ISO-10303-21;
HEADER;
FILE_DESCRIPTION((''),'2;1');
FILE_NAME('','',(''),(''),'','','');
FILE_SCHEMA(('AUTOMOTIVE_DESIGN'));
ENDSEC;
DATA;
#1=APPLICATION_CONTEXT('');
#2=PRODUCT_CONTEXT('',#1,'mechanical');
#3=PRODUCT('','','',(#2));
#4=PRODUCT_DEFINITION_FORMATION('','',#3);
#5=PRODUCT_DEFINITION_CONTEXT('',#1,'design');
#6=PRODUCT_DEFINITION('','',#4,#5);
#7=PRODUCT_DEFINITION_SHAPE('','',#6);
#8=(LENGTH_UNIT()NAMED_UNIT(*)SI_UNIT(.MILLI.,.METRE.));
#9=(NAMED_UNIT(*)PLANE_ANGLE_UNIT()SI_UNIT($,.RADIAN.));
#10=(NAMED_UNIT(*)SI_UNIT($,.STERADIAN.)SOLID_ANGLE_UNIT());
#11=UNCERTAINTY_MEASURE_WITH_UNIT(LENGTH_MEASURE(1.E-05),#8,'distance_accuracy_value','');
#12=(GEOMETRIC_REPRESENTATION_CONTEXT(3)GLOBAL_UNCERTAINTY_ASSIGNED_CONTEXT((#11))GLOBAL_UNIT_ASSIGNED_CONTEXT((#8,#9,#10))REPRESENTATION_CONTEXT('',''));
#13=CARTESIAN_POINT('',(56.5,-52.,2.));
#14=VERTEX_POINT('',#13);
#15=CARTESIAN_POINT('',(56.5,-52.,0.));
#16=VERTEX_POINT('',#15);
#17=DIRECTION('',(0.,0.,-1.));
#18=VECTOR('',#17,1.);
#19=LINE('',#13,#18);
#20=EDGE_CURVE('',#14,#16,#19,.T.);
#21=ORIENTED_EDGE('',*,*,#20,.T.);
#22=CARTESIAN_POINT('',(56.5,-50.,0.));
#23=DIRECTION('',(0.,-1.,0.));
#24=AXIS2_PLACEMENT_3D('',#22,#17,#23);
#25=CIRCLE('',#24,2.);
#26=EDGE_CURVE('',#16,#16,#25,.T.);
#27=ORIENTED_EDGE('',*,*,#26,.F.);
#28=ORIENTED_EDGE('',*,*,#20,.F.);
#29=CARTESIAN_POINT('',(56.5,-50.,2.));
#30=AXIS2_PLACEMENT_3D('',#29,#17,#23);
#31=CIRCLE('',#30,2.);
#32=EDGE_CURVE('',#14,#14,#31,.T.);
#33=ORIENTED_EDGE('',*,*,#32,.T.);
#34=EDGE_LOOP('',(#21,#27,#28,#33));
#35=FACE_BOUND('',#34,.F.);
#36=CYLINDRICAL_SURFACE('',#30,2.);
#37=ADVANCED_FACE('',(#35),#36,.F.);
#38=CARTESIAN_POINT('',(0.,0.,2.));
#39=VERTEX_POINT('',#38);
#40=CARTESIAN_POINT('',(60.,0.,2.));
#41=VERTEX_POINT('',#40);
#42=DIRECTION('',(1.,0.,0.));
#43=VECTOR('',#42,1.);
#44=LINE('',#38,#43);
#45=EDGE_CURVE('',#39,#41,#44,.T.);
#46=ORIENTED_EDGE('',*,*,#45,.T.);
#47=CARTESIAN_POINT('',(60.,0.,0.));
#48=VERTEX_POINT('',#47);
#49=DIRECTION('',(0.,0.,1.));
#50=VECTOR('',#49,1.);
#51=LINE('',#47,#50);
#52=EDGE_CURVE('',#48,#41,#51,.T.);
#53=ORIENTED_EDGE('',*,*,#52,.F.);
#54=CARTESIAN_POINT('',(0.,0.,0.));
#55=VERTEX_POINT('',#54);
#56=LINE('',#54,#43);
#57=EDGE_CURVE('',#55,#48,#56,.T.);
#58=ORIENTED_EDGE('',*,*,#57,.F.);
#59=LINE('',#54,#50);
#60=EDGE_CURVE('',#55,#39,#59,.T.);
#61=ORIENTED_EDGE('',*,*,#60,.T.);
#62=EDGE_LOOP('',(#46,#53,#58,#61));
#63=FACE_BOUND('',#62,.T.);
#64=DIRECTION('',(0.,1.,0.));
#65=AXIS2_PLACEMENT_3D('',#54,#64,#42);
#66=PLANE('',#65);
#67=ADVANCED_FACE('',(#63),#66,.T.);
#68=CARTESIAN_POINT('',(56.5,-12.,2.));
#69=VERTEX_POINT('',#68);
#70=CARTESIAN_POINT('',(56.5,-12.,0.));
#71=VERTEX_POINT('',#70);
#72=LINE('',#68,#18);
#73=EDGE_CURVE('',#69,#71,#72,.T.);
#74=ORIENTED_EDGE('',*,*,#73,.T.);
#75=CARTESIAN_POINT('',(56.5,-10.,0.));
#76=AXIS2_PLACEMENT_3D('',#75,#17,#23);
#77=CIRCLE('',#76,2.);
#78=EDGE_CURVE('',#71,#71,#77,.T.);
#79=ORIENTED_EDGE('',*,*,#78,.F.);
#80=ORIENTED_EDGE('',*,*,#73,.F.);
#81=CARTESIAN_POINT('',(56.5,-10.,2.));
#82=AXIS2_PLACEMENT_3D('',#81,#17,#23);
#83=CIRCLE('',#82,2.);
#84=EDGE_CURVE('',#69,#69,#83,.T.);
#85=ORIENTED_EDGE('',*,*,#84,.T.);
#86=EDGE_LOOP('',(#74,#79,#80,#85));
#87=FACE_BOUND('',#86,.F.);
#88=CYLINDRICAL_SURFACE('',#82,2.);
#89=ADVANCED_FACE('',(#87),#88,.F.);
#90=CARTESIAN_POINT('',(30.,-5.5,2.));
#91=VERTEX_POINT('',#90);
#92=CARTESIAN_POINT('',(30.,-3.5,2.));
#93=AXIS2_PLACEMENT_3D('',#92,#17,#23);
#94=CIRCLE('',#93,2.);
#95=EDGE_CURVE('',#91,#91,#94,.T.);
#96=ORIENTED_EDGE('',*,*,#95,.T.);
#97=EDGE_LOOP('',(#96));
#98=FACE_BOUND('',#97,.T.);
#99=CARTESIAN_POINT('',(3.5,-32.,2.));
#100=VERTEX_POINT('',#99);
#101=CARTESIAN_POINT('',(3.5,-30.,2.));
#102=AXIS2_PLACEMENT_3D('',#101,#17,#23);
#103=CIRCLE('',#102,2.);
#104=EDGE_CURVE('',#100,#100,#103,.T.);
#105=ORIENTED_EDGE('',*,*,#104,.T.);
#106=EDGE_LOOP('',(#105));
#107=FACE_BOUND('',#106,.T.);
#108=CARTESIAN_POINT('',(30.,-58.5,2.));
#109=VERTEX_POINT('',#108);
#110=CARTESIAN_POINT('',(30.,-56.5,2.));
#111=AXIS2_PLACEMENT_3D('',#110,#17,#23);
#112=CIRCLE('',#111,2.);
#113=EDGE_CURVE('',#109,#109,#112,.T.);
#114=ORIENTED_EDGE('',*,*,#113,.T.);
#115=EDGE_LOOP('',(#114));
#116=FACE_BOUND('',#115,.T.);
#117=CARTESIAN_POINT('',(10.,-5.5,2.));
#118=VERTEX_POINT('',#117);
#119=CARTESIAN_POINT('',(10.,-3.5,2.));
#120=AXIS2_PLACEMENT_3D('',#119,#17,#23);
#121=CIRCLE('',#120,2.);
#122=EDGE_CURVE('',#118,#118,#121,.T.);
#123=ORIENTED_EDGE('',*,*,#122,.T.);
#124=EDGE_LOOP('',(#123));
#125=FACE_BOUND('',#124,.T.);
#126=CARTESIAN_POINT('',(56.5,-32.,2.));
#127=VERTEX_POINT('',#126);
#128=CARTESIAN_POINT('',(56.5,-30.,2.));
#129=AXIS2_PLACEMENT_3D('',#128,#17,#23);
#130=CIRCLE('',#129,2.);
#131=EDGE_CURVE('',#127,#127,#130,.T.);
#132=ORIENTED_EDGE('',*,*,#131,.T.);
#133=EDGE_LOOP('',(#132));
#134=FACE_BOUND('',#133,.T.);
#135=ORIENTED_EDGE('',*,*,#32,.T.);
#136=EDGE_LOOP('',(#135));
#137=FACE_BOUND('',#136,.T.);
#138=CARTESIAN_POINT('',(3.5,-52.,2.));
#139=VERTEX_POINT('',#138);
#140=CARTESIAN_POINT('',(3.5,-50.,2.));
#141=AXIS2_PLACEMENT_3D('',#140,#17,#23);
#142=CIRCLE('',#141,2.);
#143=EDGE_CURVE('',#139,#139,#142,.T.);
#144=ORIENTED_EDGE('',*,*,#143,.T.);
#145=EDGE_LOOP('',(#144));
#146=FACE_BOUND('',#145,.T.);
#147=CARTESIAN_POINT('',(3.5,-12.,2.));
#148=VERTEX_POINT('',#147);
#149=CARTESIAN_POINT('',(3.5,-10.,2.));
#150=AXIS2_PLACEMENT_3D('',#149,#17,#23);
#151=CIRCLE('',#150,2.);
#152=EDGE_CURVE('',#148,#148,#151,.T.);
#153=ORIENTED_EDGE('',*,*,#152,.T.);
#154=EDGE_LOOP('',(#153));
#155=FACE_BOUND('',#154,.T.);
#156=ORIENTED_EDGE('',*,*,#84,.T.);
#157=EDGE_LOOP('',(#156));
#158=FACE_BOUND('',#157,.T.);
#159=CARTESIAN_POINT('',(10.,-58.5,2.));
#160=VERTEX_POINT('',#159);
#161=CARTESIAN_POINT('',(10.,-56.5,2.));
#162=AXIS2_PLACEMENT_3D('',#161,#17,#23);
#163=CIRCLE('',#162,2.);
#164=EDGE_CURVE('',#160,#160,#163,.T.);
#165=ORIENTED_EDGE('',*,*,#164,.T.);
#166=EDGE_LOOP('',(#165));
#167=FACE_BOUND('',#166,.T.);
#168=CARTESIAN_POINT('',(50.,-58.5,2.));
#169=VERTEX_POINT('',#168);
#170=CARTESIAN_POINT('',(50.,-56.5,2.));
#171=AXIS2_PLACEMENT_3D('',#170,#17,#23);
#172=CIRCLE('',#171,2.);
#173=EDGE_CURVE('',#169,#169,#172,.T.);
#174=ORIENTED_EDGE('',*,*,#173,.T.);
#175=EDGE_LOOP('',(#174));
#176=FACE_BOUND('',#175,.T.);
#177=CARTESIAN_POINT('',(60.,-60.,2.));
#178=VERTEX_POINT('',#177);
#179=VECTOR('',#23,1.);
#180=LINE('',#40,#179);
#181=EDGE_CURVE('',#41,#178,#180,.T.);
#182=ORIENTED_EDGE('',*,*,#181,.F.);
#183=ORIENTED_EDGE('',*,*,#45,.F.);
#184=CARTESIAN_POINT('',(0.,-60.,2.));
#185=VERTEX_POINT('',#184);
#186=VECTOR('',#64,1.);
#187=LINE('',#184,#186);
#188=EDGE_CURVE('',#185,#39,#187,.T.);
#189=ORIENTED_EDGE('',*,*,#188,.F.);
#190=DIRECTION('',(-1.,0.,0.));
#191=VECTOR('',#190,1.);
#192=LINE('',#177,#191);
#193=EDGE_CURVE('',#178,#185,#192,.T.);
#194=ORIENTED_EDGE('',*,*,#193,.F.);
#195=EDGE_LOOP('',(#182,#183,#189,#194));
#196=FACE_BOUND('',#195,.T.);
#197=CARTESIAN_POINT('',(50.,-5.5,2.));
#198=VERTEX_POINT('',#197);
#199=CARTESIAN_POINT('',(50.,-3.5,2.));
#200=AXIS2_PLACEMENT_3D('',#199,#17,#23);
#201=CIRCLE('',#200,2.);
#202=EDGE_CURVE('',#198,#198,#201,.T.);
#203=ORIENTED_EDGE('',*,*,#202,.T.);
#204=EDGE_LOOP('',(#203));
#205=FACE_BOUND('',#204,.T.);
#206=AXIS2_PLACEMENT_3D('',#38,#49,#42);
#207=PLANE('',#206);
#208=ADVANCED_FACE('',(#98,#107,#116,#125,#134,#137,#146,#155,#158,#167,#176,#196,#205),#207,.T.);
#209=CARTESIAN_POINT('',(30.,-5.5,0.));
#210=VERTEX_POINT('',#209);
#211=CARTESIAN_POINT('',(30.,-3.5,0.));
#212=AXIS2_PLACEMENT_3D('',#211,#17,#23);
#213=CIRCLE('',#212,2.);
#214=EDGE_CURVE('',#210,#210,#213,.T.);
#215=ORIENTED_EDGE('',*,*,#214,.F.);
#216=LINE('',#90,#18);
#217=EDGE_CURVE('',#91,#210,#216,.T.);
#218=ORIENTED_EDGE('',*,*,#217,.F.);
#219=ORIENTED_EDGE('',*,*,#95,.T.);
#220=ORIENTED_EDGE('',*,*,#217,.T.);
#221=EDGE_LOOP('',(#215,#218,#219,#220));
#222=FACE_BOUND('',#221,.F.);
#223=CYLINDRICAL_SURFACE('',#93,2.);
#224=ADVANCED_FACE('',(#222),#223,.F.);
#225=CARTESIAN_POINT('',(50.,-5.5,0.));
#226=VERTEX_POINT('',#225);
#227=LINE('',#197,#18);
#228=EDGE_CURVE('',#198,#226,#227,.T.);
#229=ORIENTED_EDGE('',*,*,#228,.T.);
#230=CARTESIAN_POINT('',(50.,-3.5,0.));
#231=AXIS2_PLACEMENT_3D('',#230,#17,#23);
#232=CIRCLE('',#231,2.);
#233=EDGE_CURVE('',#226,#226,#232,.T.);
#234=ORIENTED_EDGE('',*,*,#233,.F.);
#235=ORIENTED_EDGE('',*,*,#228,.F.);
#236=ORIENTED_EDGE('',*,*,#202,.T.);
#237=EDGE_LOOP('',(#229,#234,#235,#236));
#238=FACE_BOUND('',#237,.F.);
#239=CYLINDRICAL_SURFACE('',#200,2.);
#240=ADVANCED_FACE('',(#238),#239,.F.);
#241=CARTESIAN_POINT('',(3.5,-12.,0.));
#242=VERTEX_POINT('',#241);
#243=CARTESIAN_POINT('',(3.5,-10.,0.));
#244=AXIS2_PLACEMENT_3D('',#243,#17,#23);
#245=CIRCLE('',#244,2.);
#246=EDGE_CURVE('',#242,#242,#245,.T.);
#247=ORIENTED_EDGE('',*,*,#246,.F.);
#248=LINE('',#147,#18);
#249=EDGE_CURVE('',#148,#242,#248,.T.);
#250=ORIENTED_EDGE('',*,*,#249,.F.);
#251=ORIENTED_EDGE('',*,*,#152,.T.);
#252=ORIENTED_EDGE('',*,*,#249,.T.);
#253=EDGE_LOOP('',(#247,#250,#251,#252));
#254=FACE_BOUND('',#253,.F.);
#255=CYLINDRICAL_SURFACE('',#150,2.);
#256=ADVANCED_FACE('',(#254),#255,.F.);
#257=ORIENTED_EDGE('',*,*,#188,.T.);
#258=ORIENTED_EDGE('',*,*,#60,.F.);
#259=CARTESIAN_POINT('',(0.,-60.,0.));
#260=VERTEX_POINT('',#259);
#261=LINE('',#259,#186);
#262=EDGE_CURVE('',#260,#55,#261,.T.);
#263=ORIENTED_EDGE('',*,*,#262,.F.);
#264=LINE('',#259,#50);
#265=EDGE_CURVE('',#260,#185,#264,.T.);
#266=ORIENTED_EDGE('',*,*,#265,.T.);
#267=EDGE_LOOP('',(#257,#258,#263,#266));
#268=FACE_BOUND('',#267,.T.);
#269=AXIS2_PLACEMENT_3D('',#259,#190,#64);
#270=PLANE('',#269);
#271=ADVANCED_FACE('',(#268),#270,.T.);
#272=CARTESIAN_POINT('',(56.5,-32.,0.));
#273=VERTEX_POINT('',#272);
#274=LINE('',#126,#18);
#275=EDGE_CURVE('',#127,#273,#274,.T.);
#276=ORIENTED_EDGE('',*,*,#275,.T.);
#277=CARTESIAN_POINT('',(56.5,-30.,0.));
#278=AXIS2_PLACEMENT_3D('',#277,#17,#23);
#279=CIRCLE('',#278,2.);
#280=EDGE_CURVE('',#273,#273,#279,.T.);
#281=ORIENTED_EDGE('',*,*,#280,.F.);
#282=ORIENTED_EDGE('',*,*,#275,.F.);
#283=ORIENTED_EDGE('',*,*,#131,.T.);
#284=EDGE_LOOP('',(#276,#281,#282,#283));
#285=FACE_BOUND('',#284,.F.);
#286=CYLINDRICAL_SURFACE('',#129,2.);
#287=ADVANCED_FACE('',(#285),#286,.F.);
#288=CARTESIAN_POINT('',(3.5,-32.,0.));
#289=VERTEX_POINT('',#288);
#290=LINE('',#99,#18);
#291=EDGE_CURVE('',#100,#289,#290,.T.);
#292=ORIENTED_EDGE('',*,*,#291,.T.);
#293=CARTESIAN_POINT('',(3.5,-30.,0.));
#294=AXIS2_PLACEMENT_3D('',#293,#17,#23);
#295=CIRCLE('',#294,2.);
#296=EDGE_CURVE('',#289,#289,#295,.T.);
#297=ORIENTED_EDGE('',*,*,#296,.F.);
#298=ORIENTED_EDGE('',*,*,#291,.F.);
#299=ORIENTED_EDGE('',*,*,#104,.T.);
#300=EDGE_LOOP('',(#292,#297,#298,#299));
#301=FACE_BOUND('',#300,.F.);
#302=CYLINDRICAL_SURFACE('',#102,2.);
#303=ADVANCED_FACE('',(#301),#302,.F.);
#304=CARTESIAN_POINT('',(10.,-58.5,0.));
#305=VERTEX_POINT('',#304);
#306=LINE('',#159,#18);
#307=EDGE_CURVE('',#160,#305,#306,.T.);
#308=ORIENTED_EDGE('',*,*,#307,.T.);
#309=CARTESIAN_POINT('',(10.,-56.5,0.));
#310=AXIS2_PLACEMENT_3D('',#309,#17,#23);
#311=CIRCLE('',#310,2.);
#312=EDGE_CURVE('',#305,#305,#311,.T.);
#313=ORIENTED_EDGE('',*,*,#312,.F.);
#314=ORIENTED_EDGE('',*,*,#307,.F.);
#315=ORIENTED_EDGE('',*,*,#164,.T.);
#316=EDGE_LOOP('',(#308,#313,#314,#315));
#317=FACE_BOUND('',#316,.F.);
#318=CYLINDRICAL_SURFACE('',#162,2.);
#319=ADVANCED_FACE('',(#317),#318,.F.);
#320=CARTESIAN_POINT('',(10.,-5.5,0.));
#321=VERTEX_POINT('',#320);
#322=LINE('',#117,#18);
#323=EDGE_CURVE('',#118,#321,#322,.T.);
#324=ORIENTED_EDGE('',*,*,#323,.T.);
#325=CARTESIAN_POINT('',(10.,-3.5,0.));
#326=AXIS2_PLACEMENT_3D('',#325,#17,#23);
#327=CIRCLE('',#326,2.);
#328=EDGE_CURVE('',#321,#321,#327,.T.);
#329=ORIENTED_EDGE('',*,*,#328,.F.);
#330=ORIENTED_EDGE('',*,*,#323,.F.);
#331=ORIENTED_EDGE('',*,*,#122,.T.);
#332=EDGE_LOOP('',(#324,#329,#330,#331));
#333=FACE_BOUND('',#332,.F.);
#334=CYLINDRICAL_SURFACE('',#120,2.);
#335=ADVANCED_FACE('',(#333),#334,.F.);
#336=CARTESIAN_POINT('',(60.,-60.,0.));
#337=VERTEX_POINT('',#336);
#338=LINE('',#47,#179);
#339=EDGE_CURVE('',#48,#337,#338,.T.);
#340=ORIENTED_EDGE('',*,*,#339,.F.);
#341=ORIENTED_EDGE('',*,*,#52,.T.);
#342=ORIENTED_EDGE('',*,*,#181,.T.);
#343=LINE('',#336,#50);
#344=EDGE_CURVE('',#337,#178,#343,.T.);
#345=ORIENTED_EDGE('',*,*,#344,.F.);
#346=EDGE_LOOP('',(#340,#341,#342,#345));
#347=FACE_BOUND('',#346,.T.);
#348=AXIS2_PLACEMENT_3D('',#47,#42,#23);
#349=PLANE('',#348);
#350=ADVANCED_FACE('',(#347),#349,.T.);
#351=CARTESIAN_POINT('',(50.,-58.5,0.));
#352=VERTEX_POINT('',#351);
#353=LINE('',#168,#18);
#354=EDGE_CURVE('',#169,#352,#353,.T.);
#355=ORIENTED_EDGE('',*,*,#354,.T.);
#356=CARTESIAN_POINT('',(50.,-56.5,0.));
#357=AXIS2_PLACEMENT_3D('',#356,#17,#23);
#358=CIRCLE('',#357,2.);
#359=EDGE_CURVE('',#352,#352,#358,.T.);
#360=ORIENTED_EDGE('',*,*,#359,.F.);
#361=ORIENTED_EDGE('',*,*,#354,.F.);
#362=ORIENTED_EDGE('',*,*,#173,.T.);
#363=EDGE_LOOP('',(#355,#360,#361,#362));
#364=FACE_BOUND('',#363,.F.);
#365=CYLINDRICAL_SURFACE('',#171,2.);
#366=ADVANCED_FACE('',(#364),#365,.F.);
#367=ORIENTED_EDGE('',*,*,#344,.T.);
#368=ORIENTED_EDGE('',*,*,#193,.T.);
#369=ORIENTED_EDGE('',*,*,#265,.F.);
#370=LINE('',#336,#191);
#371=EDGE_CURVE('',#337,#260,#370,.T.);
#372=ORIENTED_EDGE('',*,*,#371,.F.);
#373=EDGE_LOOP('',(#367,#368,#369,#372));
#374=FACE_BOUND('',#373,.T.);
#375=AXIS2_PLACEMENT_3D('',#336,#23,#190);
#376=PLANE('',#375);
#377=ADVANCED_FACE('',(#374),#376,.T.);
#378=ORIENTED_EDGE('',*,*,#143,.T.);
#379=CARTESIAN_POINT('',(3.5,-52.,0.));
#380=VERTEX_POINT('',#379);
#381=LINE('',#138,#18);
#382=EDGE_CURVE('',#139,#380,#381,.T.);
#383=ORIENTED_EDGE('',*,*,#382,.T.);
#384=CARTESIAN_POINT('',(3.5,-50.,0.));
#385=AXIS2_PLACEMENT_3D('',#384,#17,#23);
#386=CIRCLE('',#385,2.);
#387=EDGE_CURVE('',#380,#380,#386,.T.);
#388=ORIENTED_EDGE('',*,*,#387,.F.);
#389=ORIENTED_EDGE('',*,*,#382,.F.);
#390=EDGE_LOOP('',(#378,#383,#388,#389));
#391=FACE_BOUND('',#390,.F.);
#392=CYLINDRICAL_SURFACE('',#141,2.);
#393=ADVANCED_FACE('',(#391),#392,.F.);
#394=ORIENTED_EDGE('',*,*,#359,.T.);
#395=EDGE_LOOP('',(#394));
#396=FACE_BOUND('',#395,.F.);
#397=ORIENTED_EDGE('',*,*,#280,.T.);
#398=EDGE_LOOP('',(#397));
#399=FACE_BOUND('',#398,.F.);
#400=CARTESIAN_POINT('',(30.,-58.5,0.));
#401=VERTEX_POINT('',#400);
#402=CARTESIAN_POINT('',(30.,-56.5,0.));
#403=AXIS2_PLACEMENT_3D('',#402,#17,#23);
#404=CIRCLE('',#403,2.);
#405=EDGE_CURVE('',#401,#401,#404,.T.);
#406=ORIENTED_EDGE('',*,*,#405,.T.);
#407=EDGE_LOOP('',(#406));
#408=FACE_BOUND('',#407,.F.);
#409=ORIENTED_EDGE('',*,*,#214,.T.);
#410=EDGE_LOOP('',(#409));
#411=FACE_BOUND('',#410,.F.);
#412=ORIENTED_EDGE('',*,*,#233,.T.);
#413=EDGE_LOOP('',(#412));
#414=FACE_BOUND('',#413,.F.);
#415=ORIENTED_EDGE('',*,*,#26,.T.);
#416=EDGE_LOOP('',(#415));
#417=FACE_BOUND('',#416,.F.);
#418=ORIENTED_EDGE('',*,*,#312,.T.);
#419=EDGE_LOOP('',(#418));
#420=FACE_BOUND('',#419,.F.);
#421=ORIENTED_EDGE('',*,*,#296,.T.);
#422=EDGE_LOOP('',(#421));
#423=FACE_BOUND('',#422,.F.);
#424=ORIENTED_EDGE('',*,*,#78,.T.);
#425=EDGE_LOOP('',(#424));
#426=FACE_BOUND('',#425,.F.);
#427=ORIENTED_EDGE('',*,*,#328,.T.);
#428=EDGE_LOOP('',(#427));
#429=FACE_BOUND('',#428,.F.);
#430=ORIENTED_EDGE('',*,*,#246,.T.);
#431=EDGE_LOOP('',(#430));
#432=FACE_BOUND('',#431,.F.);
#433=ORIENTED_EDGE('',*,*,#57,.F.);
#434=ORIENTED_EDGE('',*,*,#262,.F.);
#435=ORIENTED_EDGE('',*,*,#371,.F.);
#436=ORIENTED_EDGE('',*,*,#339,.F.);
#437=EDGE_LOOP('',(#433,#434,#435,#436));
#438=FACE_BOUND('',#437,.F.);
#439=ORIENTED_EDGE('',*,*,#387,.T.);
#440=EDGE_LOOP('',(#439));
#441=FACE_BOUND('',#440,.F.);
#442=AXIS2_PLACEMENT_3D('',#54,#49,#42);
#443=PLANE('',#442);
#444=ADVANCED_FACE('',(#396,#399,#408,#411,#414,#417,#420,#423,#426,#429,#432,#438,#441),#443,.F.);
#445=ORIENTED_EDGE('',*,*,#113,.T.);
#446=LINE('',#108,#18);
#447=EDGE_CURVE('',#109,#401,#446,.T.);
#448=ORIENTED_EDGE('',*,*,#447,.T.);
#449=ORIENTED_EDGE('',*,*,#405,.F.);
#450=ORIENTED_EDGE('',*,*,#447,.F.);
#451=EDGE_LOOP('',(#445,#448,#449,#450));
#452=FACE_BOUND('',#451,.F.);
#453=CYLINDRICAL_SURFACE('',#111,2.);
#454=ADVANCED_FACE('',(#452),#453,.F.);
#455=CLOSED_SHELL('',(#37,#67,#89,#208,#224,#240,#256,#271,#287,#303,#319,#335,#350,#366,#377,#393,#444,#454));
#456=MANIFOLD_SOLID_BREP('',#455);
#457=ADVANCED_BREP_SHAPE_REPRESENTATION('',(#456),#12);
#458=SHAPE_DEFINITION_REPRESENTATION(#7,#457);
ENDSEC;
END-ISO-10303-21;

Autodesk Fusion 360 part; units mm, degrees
sketch "Sketch1" plane through (0, 0, 0) normal (0, 0, 1) x (1, 0, 0)
  line L0 (0, 0) -> (60, 0)
  line L1 (60, 0) -> (60, -60)
  line L2 (60, -60) -> (0, -60)
  line L3 (0, -60) -> (0, 0)
  dimension "d1" = 60
  dimension "d2" = 60
extrude "Extrude1" add sketch "Sketch1" along normal blind 2
sketch "Sketch2" plane through (0, 0, 2) normal (0, 0, 1) x (-1, 0, 0)
  line L0 (0, 60) -> (-60, 60)
  line L1 (-60, 60) -> (-60, 0)
  line L2 (-60, 0) -> (0, 0)
  line L3 (0, 0) -> (0, 60)
  line L4 (-60, 10) -> (-56.5, 10)
  line L5 (-60, 3.5) -> (-50, 3.5)
  line L6 (-30, 0) -> (-30, 60)
  line L7 (0, 30) -> (-60, 30)
  line L8 (-30, 0) -> (-30, 3.5)
  line L9 (0, 30) -> (-3.5, 30)
  line L10 (-60, 30) -> (-56.5, 30)
  point P0 (-10, 3.5)
  point P1 (-3.5, 10)
  point P2 (-3.5, 50)
  point P3 (-10, 56.5)
  point P4 (-50, 56.5)
  point P5 (-56.5, 50)
  point P6 (-30, 56.5)
  dimension "d5" = 3.5
  dimension "d6" = 10
  dimension "d7" = 10
  dimension "d8" = 3.5
  dimension "d9" = 3.5
  dimension "d10" = 3.5
  dimension "d11" = 3.5
hole "Hole1" at (10, -3.5, 2) at (3.5, -10, 2) at (3.5, -30, 2) at (3.5, -50, 2) at (10, -56.5, 2) at (30, -56.5, 2) at (50, -56.5, 2) at (56.5, -50, 2) at (56.5, -30, 2) at (56.5, -10, 2) at (50, -3.5, 2) at (30, -3.5, 2) direction (0, 0, -1) diameter 4 depth 50 tip angle 180
